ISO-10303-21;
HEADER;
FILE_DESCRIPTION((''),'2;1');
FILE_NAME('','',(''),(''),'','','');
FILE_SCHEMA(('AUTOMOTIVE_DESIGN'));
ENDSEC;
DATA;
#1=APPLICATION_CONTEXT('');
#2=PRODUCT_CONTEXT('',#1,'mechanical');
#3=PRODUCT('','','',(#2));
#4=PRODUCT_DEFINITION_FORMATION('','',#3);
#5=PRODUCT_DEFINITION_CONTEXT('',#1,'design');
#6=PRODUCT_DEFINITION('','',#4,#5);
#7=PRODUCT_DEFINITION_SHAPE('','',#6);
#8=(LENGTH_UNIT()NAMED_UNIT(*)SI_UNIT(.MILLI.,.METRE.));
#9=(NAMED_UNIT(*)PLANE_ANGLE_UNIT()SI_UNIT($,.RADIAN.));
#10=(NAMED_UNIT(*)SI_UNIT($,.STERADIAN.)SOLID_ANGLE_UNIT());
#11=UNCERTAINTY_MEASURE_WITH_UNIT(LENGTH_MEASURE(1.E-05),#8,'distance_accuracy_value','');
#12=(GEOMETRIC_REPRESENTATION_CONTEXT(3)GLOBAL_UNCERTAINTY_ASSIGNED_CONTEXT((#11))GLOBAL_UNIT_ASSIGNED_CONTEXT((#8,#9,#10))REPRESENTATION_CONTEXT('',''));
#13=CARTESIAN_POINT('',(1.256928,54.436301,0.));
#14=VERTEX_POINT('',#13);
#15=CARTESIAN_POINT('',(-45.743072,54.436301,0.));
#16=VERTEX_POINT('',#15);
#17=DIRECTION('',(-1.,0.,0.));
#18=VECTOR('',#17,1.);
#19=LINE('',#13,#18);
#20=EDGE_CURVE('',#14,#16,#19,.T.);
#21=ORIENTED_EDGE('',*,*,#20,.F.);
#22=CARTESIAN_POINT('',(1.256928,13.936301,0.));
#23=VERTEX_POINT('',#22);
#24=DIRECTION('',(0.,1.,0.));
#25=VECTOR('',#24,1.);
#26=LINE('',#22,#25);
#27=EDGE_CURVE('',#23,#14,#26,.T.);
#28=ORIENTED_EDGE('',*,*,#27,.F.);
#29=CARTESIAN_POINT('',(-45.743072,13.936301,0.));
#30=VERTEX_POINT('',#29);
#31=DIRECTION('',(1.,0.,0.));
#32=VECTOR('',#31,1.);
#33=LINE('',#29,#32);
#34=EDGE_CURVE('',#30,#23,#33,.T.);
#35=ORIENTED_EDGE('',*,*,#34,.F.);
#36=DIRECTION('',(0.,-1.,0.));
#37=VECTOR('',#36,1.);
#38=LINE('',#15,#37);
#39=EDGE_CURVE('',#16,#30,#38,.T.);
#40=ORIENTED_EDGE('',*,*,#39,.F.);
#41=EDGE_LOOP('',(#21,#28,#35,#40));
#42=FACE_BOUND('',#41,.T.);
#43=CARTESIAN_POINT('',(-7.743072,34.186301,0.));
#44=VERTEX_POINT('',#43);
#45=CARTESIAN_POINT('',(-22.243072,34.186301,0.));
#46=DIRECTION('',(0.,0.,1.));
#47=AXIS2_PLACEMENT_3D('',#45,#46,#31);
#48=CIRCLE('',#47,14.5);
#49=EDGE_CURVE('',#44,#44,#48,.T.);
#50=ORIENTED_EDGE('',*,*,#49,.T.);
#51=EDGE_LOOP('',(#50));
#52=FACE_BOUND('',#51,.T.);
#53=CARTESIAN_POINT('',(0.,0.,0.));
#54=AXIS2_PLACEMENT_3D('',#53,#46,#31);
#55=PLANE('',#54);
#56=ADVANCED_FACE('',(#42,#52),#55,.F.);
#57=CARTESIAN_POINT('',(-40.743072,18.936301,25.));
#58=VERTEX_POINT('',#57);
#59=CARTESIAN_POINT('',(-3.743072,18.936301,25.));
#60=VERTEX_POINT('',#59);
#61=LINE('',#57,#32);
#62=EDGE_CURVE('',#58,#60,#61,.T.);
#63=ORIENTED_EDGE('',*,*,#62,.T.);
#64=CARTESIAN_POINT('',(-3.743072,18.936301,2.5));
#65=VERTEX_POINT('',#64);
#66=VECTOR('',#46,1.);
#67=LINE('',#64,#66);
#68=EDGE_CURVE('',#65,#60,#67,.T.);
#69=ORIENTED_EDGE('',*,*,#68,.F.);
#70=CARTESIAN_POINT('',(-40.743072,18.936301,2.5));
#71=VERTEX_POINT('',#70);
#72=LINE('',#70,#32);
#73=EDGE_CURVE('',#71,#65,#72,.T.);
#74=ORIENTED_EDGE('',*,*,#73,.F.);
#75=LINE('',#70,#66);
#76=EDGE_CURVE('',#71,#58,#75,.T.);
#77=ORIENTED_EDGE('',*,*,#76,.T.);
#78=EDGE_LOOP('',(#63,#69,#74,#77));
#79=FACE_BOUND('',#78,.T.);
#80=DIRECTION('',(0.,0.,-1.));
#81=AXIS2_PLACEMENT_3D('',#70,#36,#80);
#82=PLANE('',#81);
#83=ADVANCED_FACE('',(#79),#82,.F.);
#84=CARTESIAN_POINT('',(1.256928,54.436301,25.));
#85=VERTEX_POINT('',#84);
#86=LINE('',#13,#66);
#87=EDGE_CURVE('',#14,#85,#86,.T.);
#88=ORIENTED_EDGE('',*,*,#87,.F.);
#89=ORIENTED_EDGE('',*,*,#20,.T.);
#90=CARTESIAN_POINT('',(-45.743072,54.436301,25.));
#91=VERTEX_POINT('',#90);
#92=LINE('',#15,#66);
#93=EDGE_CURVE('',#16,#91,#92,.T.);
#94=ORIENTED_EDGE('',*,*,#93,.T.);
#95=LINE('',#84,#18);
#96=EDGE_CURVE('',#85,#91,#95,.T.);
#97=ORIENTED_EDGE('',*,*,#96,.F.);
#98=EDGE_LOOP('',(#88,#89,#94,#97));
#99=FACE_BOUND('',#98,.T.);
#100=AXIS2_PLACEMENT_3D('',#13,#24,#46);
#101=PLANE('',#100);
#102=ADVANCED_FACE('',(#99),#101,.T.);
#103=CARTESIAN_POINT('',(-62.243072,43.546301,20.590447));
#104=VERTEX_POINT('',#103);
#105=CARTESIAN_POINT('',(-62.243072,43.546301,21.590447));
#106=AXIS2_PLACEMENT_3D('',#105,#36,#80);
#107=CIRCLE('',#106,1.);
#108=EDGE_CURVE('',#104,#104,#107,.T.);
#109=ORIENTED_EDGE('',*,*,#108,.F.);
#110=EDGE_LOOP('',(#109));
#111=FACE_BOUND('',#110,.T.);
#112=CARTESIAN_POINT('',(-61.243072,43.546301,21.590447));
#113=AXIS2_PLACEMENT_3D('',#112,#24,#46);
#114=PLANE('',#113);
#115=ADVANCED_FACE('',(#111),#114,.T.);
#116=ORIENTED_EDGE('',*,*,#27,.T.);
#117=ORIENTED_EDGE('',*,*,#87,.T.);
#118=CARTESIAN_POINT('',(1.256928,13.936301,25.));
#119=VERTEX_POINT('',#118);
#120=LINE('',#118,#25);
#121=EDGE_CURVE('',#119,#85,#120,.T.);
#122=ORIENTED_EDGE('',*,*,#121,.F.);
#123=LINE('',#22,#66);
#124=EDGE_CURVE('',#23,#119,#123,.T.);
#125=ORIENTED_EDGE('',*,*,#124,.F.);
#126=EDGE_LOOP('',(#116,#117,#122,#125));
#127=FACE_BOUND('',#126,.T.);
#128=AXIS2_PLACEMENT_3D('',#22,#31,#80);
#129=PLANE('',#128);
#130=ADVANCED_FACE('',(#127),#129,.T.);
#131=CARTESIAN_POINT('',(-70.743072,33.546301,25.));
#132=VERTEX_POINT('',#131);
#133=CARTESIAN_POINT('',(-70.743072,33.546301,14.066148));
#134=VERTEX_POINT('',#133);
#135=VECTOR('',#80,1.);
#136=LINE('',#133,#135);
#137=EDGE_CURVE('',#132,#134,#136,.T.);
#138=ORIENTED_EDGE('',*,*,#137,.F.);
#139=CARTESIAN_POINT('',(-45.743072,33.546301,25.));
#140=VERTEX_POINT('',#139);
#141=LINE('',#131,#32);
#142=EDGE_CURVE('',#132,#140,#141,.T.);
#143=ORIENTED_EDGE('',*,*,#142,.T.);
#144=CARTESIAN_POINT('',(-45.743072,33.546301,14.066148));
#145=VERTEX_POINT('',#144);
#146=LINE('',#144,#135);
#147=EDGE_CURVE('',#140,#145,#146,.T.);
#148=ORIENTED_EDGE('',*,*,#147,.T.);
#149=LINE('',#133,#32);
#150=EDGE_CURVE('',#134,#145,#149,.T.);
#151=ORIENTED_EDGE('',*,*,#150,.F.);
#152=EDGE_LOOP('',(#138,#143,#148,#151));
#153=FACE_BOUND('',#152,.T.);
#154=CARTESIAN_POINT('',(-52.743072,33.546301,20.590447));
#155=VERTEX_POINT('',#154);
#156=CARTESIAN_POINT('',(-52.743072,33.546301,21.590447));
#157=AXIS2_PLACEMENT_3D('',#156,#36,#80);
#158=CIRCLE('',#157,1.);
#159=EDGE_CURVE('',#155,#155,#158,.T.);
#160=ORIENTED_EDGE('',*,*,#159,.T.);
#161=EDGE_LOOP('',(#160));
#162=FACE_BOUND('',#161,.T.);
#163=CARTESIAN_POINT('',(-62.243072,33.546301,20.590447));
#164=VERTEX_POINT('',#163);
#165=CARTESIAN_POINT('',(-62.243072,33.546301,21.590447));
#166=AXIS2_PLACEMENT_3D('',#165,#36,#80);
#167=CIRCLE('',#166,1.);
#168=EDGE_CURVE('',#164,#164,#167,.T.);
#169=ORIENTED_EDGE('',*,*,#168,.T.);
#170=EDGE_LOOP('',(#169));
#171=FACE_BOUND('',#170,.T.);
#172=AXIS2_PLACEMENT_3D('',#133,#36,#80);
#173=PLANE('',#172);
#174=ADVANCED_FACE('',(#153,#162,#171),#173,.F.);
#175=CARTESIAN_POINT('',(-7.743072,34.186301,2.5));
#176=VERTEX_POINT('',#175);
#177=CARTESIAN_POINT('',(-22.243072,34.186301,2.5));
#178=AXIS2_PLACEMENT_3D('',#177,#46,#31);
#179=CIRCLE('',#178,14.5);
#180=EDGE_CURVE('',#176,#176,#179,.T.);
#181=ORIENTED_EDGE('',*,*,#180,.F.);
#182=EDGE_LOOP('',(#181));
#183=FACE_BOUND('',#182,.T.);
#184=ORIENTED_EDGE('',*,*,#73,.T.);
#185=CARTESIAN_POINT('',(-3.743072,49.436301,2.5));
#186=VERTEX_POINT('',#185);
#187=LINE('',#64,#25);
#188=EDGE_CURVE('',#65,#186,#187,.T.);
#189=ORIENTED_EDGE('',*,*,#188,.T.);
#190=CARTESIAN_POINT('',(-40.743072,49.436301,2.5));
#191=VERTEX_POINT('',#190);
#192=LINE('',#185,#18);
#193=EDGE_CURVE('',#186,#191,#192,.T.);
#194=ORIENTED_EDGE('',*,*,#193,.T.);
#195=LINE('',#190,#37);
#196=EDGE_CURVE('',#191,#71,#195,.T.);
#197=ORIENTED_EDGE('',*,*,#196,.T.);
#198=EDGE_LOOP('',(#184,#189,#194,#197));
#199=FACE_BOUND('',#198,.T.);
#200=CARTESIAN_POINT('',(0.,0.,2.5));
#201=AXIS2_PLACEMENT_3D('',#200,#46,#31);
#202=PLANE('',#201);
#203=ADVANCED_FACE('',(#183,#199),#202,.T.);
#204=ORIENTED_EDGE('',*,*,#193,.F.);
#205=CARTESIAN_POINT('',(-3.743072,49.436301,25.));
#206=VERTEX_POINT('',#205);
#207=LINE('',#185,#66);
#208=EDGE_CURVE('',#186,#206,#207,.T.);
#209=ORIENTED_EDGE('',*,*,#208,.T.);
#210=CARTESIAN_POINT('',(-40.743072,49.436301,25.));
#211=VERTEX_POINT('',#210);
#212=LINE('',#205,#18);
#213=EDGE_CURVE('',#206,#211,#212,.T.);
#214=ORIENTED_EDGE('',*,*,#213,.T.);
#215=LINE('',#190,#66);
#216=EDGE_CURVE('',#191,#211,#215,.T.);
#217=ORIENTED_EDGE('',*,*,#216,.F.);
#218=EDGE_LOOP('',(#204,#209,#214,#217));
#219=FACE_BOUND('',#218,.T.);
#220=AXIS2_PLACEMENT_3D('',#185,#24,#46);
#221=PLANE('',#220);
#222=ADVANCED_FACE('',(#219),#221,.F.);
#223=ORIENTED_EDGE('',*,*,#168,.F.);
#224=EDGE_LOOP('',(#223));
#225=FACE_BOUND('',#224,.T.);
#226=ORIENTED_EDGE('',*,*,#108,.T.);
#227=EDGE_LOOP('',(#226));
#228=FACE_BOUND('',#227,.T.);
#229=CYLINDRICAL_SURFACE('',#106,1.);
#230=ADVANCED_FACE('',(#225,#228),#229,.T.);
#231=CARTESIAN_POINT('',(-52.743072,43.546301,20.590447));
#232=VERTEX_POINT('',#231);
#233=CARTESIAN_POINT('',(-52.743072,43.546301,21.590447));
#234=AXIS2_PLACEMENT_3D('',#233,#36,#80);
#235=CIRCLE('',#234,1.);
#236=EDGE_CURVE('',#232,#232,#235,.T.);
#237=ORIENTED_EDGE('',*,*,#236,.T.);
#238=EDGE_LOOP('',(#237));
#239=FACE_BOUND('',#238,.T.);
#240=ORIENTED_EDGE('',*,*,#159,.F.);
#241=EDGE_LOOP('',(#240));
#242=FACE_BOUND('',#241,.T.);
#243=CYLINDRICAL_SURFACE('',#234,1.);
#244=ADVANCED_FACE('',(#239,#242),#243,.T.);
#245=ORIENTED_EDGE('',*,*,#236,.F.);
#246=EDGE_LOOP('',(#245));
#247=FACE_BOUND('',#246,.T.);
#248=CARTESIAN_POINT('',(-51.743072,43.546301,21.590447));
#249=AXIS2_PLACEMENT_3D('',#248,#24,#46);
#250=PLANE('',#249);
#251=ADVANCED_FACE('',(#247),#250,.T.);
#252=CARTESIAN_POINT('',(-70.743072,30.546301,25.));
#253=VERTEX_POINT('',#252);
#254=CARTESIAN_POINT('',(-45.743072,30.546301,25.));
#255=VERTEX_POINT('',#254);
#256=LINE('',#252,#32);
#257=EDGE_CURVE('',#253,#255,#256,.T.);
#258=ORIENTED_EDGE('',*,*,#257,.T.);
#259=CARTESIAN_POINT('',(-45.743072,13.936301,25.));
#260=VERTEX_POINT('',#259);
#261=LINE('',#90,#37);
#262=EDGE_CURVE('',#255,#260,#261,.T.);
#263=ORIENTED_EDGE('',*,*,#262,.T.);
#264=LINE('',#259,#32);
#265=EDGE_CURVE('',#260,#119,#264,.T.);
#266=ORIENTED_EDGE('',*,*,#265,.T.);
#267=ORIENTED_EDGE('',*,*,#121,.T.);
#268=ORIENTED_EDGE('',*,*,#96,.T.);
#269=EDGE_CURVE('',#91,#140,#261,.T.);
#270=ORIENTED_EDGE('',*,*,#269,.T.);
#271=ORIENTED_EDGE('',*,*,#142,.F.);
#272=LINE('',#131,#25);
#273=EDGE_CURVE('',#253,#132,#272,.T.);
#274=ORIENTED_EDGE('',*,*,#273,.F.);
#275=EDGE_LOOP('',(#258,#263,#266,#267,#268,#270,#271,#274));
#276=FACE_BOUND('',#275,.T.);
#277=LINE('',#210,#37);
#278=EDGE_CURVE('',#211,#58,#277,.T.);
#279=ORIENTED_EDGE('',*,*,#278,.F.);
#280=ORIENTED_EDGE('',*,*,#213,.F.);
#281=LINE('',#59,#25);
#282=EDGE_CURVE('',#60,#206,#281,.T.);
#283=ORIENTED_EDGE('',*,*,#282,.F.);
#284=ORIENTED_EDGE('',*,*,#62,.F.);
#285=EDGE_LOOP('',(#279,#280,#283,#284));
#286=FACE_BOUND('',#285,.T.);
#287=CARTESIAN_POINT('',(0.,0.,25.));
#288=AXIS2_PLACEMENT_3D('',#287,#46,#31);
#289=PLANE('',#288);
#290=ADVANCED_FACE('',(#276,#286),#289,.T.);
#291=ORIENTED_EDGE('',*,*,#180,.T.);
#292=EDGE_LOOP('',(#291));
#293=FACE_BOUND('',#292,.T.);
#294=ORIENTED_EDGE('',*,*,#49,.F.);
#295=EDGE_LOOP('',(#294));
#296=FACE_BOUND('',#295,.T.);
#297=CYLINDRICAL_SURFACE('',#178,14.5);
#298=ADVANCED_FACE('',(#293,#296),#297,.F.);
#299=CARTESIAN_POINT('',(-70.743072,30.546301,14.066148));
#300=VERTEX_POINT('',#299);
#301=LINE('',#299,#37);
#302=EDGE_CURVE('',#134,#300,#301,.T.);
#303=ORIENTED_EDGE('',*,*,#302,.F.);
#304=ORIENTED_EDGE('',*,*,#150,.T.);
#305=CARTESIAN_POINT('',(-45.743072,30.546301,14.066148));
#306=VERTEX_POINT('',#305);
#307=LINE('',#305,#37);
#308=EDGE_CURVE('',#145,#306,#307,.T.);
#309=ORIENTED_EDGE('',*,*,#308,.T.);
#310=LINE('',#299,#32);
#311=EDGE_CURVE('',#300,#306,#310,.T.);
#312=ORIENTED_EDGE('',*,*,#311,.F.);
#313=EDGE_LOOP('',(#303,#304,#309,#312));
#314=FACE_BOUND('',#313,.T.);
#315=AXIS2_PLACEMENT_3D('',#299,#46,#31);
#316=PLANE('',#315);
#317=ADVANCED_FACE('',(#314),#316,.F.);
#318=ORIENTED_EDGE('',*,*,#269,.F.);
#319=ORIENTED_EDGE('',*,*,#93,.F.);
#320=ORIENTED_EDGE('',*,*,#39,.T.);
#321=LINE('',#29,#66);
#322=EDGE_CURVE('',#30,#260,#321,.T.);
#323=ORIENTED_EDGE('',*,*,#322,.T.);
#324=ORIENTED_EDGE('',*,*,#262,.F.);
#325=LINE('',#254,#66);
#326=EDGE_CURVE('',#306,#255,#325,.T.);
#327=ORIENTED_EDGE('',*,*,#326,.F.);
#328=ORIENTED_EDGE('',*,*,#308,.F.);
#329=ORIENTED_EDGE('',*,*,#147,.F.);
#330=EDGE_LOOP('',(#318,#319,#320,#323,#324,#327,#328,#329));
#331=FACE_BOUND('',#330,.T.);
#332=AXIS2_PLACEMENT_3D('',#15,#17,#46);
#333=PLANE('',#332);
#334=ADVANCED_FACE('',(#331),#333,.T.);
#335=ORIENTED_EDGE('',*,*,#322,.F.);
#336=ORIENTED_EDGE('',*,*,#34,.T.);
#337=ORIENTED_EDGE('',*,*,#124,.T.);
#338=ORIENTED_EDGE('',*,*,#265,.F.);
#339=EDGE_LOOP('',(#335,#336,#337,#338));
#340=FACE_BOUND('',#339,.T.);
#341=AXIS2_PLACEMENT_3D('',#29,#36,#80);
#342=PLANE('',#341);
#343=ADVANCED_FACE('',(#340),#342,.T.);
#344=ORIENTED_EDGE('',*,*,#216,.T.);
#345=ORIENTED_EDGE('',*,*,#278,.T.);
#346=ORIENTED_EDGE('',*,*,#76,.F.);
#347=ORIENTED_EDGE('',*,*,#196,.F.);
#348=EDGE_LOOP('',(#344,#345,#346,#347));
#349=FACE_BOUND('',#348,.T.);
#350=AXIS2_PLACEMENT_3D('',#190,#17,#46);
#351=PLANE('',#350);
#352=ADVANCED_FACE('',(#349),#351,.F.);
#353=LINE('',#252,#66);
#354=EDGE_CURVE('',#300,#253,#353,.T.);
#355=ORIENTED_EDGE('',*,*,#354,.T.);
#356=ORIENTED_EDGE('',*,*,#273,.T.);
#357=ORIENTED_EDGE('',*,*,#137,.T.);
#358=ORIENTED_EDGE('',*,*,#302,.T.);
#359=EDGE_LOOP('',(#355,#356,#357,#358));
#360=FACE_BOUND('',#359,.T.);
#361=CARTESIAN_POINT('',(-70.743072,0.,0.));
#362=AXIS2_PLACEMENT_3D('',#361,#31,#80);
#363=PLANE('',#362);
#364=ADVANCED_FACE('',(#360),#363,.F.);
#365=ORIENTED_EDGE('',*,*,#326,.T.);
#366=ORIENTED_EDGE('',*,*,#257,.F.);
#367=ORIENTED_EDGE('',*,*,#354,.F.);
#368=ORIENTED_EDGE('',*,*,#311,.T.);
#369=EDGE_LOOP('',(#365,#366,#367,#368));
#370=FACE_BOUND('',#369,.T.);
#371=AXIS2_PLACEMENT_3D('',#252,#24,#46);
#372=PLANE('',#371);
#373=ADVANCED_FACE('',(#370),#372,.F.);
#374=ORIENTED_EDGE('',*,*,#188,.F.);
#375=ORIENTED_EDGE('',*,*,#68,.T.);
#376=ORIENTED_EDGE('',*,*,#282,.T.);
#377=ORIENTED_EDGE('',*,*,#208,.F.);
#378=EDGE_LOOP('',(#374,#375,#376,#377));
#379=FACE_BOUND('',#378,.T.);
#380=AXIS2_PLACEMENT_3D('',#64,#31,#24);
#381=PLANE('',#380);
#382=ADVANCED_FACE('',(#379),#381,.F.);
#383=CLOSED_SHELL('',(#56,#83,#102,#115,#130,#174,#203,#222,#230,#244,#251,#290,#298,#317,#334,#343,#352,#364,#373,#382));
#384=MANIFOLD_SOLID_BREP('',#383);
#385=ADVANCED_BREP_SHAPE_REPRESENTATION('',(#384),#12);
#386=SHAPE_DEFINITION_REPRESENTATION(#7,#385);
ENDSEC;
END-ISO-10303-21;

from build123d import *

# Parameters (mm, degrees)
CROQUIS1_W                    = 47
CROQUIS1_H                    = 40.5
SALIENTE_EXTRUIR1_DEPTH       = 25
CROQUIS2_W                    = 10.933851529
CROQUIS2_H                    = 3
SALIENTE_EXTRUIR2_DEPTH       = 25
CROQUIS3_W                    = 37
CROQUIS3_H                    = 30.5
CORTAR_EXTRUIR1_DEPTH         = 22.5
CROQUIS4_W                    = 1
CROQUIS4_H                    = 10
CROQUIS5_W                    = 1
CROQUIS5_H                    = 10
TALADRO_DE_MARGEN_PARA_M251_D = 29


with BuildPart() as part:
    # Croquis1 → Saliente-Extruir1 (new body)
    with BuildSketch(Plane.XY.offset(25)):
        with Locations((-22.24307249, 34.18630066)):
            Rectangle(CROQUIS1_W, CROQUIS1_H)
    extrude(amount=-SALIENTE_EXTRUIR1_DEPTH)

    # Croquis2 → Saliente-Extruir2 (add)
    with BuildSketch(Plane.ZY.offset(45.74307249)):
        with Locations((19.533074236, 32.04630066)):
            Rectangle(CROQUIS2_W, CROQUIS2_H)
    extrude(amount=SALIENTE_EXTRUIR2_DEPTH)

    # Croquis3 → Cortar-Extruir1 (cut)
    with BuildSketch(Plane.XY.offset(25)):
        with Locations((-22.24307249, 34.18630066)):
            Rectangle(CROQUIS3_W, CROQUIS3_H)
    extrude(amount=-CORTAR_EXTRUIR1_DEPTH, mode=Mode.SUBTRACT)

    # Croquis4 → Revolución1 (revolve)
    with BuildSketch(Plane.XY.offset(21.590447053), mode=Mode.PRIVATE) as revoluci_n1_sk:
        with Locations((-52.24307249, 38.54630066)):
            Rectangle(CROQUIS4_W, CROQUIS4_H)
    revolve(revoluci_n1_sk.sketch.rotate(Axis((-52.74307249, 43.54630066, 21.590447053), (0, -1, 0)), 270), axis=Axis((-52.74307249, 43.54630066, 21.590447053), (0, -1, 0)))

    # Croquis5 → Revolución2 (revolve)
    with BuildSketch(Plane.XY.offset(21.590447053), mode=Mode.PRIVATE) as revoluci_n2_sk:
        with Locations((-61.74307249, 38.54630066)):
            Rectangle(CROQUIS5_W, CROQUIS5_H)
    revolve(revoluci_n2_sk.sketch.rotate(Axis((-62.24307249, 43.54630066, 21.590447053), (0, -1, 0)), 270), axis=Axis((-62.24307249, 43.54630066, 21.590447053), (0, -1, 0)))

    # Taladro de margen para M251 (through all)
    with Locations(Plane.XY.offset(2.5)):
        with Locations((-22.24307249, 34.18630066)):
            Hole(TALADRO_DE_MARGEN_PARA_M251_D / 2)


solid = part.part
